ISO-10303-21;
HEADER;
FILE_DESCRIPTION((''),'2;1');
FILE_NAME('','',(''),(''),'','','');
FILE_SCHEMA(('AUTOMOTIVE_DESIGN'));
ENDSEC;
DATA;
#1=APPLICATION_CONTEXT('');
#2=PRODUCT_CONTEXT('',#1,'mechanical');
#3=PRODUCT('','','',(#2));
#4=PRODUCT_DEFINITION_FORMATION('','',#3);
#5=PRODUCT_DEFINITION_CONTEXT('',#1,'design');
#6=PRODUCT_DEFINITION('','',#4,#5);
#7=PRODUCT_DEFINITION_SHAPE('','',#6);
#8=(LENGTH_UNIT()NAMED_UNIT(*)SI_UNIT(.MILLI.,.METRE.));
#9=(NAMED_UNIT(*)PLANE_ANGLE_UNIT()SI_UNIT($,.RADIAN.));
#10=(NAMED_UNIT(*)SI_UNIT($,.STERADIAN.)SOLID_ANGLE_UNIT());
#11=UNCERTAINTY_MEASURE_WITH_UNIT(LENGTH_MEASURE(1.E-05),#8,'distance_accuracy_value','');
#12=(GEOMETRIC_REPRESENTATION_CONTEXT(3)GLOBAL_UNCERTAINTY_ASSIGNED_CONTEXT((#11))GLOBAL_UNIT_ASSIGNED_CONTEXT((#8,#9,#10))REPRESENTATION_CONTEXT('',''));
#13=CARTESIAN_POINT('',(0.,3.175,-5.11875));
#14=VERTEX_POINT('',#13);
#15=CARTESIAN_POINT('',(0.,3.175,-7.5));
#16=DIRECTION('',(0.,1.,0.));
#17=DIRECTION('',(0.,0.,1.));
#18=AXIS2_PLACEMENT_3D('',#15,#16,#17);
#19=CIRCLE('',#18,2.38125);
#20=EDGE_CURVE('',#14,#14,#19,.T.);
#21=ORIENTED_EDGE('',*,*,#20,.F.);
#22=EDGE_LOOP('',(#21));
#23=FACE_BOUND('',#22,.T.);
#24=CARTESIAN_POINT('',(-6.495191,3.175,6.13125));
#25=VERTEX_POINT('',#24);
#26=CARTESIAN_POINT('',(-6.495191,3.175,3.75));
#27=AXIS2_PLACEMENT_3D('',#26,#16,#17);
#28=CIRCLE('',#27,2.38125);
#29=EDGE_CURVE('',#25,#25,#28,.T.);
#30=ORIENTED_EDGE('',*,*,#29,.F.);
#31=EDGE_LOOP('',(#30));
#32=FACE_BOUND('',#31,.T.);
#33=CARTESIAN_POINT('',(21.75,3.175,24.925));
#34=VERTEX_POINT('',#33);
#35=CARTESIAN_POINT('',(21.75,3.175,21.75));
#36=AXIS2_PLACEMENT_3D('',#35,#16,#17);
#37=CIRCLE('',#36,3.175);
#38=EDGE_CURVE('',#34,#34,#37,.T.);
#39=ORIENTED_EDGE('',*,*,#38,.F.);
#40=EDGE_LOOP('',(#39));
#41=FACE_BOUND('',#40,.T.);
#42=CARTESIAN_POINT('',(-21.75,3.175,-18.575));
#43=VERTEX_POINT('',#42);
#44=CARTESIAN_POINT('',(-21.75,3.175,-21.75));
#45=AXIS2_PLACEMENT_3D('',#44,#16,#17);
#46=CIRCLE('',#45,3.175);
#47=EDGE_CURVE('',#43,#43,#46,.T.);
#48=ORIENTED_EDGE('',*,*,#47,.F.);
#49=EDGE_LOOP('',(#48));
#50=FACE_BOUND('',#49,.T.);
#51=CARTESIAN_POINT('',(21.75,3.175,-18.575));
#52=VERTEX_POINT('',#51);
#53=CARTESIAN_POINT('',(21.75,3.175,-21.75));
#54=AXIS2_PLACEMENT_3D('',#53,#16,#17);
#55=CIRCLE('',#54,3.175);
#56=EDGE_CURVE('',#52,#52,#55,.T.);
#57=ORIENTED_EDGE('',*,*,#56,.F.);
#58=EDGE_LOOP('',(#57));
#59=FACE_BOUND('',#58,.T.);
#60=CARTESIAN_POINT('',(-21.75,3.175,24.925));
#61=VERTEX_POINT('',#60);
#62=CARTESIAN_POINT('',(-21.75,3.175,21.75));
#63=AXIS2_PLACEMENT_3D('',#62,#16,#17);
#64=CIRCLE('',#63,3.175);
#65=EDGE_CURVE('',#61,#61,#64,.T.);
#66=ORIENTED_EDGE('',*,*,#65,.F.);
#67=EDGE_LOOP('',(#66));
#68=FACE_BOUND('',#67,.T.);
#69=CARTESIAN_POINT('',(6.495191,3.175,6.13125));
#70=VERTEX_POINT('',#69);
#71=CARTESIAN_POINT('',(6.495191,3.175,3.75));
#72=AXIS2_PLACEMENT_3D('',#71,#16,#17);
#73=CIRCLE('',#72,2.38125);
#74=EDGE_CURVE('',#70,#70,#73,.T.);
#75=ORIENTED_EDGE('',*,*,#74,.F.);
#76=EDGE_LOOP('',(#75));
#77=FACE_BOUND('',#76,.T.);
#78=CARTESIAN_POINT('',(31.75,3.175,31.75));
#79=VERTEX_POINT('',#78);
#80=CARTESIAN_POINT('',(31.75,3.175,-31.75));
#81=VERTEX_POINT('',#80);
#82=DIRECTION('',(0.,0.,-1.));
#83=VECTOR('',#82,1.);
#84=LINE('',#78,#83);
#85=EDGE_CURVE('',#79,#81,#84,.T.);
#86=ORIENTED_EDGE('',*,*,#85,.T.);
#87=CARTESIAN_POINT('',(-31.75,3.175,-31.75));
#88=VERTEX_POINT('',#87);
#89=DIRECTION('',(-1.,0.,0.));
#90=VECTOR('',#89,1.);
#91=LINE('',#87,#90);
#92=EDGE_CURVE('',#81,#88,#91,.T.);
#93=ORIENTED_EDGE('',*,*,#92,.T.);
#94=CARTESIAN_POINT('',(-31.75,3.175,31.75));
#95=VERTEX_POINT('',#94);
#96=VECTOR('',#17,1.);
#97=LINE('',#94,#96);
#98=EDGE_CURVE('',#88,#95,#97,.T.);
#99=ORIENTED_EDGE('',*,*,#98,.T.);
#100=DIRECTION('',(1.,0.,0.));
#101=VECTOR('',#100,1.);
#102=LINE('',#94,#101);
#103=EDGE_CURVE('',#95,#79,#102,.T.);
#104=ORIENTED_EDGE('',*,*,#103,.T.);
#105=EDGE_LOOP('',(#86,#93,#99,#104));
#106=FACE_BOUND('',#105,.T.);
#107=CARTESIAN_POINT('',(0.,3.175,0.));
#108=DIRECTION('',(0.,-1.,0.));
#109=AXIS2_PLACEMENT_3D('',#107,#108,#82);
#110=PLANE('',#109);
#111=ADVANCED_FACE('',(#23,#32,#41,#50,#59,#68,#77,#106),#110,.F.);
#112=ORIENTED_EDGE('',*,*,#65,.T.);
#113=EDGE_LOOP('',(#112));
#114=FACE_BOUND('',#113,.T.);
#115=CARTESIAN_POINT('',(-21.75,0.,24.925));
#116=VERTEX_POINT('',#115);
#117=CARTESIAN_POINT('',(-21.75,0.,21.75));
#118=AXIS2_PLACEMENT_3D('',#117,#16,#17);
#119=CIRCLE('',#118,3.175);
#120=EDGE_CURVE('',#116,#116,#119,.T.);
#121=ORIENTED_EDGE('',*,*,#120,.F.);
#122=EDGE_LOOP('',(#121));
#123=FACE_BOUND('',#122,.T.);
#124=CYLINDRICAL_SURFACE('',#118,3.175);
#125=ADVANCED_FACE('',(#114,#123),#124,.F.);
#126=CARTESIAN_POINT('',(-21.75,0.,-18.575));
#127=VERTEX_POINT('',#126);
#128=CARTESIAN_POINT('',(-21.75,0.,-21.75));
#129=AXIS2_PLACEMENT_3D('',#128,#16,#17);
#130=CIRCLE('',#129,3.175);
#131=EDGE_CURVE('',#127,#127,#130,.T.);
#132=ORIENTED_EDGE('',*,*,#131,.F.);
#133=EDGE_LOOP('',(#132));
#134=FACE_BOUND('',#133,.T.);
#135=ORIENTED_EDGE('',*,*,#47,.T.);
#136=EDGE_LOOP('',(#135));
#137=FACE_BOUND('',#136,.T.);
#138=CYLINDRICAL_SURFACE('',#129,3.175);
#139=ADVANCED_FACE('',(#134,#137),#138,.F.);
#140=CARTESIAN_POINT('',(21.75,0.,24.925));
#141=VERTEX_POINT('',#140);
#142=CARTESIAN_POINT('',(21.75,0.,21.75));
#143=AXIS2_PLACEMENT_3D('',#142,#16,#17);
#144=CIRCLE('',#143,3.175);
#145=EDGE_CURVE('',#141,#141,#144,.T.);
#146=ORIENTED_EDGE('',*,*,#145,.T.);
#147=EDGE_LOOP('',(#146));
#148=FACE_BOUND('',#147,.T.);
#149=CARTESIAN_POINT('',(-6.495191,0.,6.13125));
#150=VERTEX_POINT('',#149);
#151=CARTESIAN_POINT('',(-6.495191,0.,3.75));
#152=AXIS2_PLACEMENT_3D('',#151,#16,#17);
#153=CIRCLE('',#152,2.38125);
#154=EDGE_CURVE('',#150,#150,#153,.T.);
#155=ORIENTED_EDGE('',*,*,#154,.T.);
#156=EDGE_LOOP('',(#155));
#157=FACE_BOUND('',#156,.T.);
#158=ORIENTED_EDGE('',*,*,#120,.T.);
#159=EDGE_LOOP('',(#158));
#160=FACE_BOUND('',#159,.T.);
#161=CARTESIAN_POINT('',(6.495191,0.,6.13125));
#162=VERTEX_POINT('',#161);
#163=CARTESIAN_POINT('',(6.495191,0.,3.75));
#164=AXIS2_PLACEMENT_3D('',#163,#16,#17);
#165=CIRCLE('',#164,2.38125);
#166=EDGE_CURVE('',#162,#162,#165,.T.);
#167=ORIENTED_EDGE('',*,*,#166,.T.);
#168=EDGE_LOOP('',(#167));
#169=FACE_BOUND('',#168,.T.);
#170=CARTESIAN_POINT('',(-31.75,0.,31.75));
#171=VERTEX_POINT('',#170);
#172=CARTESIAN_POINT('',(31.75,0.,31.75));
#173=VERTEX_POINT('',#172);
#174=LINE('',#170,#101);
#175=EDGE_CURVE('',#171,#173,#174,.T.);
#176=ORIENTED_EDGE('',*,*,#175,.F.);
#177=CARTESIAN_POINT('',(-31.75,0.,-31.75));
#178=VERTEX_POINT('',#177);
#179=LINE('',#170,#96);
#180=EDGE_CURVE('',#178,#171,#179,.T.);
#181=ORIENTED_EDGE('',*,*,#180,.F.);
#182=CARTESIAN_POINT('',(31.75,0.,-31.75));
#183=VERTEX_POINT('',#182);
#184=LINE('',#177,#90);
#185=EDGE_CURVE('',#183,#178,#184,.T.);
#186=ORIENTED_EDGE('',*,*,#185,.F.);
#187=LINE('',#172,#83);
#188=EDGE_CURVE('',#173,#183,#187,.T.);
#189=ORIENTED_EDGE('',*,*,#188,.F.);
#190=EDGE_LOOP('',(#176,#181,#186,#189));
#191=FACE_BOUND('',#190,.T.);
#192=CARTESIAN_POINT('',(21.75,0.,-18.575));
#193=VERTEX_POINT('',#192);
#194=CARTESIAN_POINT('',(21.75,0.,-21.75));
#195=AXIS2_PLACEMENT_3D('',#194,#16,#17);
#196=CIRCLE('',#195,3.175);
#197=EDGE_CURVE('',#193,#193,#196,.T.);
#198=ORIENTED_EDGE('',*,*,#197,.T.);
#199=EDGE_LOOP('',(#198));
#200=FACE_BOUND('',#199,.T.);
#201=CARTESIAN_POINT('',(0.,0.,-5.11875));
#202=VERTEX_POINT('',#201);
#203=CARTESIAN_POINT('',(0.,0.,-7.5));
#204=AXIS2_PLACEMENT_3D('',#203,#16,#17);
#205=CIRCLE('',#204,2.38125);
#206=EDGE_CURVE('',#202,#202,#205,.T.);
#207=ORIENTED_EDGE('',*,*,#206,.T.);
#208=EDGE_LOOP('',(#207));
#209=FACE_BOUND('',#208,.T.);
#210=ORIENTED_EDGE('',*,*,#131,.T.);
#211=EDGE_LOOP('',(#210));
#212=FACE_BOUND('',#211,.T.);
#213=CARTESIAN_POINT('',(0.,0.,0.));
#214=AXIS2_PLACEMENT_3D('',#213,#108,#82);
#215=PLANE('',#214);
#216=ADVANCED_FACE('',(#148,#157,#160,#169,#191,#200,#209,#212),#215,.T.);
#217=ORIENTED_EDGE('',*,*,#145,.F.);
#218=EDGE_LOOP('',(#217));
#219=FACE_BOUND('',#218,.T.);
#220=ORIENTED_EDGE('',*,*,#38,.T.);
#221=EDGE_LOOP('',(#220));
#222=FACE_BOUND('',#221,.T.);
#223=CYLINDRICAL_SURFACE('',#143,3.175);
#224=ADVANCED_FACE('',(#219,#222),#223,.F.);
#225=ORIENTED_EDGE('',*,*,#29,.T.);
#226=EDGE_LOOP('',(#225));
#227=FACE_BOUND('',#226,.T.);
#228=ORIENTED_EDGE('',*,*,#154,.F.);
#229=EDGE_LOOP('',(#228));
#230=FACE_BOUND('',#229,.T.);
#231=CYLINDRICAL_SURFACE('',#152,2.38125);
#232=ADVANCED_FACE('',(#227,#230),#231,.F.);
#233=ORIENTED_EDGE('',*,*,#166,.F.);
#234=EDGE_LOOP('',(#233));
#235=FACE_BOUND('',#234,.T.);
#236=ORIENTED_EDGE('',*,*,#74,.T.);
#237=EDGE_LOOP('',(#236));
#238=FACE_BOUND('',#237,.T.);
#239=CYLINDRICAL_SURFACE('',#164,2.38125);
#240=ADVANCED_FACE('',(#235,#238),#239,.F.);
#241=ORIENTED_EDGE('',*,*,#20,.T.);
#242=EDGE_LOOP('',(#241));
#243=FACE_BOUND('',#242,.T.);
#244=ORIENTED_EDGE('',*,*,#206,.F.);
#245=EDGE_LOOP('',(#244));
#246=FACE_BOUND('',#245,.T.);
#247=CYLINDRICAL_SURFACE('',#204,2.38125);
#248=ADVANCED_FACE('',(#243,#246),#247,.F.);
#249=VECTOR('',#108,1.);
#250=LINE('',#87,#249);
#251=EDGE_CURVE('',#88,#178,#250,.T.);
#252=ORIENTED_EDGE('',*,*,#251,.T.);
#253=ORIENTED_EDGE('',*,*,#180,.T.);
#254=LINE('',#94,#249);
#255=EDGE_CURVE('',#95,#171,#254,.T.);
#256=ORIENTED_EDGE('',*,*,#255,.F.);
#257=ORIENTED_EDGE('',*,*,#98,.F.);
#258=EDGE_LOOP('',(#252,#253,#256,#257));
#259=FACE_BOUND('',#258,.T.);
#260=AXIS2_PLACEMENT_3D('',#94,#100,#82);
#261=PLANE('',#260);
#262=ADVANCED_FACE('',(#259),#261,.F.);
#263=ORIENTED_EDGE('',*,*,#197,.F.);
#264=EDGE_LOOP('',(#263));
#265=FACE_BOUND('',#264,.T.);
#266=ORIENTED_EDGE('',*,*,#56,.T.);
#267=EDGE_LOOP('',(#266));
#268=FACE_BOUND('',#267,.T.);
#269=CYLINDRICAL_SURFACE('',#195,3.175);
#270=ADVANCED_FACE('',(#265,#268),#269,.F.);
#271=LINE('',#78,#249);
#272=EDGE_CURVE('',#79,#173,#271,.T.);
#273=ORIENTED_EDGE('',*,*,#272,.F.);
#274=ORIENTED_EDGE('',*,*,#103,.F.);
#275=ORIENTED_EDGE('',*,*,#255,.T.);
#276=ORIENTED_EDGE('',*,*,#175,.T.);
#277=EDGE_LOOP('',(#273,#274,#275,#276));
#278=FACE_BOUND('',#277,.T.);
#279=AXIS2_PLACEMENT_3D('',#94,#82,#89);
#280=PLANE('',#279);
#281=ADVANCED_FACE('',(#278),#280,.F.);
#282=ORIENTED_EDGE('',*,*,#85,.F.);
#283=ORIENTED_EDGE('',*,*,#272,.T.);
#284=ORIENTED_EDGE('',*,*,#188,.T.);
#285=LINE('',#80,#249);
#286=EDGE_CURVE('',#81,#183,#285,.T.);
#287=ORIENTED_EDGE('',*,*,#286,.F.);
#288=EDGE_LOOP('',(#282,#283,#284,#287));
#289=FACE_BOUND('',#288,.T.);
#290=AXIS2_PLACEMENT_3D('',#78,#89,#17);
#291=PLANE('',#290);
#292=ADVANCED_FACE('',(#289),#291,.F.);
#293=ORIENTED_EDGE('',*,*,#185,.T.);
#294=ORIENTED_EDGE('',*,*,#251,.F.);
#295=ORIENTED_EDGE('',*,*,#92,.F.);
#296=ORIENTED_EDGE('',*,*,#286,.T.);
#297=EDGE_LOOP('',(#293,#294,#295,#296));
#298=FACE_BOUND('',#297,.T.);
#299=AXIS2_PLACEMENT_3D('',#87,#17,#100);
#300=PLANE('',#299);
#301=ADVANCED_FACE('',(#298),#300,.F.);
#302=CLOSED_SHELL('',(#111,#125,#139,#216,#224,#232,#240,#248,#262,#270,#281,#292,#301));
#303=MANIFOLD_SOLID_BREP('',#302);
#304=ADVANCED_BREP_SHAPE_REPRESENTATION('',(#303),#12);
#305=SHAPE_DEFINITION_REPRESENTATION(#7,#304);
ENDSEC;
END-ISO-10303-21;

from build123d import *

# Parameters (mm, degrees)
SKETCH1_W           = 63.5
SKETCH1_H           = 63.5
BOSS_EXTRUDE1_DEPTH = 3.175
SKETCH2_R           = 2.38125
CUT_EXTRUDE1_DEPTH  = 4.175
SKETCH3_R           = 3.175
CUT_EXTRUDE2_DEPTH  = 4.175


with BuildPart() as part:
    # Sketch1 → Boss-Extrude1 (new body)
    with BuildSketch(Plane(origin=(0, 0, 0), x_dir=(1, 0, 0), z_dir=(0, 1, 0))):
        Rectangle(SKETCH1_W, SKETCH1_H)
    extrude(amount=BOSS_EXTRUDE1_DEPTH)

    # Sketch2 → Cut-Extrude1 (cut, through all)
    with BuildSketch(Plane(origin=(0, 3.175, 0), x_dir=(1, 0, 0), z_dir=(0, 1, 0))):
        with Locations((0, 7.5)):
            Circle(SKETCH2_R)
        with Locations((6.495190528, -3.75)):
            Circle(SKETCH2_R)
        with Locations((-6.495190528, -3.75)):
            Circle(SKETCH2_R)
    extrude(amount=-CUT_EXTRUDE1_DEPTH, mode=Mode.SUBTRACT)

    # Sketch3 → Cut-Extrude2 (cut, through all)
    with BuildSketch(Plane(origin=(0, 3.175, 0), x_dir=(1, 0, 0), z_dir=(0, 1, 0))):
        with Locations((-21.75, 21.75)):
            Circle(SKETCH3_R)
        with Locations((-21.75, -21.75)):
            Circle(SKETCH3_R)
        with Locations((21.75, -21.75)):
            Circle(SKETCH3_R)
        with Locations((21.75, 21.75)):
            Circle(SKETCH3_R)
    extrude(amount=-CUT_EXTRUDE2_DEPTH, mode=Mode.SUBTRACT)


solid = part.part
